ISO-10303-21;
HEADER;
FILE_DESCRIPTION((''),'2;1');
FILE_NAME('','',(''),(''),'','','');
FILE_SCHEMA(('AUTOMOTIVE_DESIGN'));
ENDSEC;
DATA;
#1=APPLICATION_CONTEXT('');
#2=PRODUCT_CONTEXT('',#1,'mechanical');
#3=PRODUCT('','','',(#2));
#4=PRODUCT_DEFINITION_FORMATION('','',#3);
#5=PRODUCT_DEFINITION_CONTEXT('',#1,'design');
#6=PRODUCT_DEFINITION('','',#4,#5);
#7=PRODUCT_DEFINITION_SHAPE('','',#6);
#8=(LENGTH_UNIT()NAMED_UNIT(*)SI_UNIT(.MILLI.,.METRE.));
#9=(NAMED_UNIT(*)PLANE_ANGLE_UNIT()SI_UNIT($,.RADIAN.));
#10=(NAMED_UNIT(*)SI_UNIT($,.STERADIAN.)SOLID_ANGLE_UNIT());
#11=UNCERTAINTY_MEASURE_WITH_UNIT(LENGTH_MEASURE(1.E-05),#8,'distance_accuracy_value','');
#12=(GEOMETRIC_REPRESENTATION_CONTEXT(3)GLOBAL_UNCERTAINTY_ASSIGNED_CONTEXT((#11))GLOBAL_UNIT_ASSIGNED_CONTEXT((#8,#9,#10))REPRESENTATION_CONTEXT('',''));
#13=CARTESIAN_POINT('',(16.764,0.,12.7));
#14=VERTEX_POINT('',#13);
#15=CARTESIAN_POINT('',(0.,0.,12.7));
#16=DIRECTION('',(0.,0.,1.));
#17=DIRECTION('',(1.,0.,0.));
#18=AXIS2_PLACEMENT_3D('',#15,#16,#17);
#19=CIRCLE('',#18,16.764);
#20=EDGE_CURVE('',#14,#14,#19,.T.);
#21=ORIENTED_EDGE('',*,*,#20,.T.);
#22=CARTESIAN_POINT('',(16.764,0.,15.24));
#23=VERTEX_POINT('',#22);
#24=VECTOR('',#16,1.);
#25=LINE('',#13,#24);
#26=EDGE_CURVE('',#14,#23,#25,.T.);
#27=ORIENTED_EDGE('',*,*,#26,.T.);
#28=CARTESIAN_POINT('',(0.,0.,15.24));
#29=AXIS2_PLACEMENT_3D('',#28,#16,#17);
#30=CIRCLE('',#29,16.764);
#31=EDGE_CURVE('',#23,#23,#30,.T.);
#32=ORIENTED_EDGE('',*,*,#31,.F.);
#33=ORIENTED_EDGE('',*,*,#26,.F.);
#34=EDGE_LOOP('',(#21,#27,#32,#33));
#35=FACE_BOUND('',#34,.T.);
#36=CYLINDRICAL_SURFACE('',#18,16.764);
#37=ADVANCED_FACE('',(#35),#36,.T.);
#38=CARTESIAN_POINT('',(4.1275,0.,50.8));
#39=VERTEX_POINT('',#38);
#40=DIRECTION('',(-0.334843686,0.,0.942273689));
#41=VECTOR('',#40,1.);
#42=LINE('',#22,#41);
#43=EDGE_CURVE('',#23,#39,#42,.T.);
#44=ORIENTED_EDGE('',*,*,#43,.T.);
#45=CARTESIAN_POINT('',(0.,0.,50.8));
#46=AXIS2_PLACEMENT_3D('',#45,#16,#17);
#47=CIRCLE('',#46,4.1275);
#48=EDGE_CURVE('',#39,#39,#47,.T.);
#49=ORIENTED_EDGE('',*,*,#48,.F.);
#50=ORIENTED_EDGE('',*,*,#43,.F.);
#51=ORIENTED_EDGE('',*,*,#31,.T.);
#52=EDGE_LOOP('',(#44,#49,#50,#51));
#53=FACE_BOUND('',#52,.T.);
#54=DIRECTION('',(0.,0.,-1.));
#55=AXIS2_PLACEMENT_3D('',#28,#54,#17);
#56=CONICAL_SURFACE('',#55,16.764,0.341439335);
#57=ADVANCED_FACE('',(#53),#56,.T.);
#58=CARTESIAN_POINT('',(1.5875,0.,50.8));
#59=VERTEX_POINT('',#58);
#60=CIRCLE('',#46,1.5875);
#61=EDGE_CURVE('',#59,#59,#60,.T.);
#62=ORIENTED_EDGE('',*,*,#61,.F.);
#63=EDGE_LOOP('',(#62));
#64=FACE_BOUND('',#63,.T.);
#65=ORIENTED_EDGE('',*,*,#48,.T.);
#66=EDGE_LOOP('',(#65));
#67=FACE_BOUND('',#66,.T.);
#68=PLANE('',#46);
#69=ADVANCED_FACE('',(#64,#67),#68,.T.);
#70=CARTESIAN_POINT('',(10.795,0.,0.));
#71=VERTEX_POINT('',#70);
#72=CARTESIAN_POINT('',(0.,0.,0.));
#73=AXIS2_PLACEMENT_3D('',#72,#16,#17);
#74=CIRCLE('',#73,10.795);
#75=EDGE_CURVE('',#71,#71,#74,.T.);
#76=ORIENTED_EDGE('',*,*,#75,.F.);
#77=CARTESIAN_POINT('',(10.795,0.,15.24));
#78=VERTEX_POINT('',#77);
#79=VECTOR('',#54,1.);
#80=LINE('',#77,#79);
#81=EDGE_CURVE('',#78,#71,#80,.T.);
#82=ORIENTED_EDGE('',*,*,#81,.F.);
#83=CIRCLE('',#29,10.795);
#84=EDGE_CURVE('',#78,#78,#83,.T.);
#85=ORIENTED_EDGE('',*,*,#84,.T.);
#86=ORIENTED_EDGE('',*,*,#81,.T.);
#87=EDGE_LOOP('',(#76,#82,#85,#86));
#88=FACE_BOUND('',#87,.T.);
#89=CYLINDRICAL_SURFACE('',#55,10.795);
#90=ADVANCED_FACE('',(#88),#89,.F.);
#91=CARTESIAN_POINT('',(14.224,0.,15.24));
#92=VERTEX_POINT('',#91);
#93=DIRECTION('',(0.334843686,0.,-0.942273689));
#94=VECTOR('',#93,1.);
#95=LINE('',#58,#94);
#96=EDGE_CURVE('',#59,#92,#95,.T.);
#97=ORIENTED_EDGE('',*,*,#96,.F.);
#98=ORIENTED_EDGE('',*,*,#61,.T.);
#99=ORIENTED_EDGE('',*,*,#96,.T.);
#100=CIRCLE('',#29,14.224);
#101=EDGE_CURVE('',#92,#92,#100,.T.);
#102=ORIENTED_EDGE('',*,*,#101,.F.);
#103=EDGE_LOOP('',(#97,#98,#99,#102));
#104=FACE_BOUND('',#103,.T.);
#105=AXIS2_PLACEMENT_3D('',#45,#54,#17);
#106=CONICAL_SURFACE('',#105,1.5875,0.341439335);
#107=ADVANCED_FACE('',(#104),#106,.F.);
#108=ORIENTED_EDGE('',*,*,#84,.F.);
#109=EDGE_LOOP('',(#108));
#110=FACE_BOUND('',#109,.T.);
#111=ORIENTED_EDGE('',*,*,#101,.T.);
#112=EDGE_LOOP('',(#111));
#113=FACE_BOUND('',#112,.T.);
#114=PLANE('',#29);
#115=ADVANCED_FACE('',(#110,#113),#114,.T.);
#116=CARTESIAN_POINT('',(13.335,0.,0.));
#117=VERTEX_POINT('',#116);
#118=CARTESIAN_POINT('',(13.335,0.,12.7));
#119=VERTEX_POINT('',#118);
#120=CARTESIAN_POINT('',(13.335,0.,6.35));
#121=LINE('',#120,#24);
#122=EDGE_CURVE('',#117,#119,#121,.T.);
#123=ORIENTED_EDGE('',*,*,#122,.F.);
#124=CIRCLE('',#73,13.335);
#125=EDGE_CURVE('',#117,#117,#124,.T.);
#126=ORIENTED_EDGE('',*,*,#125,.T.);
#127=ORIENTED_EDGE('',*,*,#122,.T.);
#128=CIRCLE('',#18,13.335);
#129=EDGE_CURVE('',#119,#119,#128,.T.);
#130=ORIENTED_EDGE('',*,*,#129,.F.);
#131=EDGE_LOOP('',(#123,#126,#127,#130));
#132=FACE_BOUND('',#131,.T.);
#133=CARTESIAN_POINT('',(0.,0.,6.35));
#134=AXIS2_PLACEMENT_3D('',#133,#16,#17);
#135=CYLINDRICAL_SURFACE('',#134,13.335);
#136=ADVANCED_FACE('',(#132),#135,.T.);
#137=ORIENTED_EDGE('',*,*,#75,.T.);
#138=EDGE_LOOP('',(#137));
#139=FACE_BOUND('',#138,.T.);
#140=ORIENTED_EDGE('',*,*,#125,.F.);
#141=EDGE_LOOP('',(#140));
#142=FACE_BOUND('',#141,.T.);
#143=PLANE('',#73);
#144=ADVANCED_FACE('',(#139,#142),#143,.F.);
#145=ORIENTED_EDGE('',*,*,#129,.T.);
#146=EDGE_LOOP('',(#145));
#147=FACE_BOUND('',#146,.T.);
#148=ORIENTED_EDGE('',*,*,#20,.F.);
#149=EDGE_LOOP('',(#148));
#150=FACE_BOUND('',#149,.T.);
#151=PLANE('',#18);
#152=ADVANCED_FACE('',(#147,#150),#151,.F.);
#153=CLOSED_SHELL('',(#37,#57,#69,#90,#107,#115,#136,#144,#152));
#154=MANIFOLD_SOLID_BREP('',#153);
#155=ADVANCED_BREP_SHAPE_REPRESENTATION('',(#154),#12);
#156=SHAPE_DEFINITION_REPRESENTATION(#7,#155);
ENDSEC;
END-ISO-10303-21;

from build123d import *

# Parameters (mm, degrees)
F0_W = 2.54
F0_H = 12.7


with BuildPart() as f1:
    # F0 (on Front) → F1 (revolve)
    with BuildSketch(Plane.XZ):
        Polygon((1.5875, 50.8), (14.224, 15.24), (16.764, 15.24), (4.1275, 50.8), align=None)
        Polygon((10.795, 15.24), (10.795, 12.7), (13.335, 12.7), (16.764, 12.7), (16.764, 15.24), (14.224, 15.24), align=None)
        with Locations((12.065, 6.35)):
            Rectangle(F0_W, F0_H)
    revolve(axis=Axis((0, 0, 12.892376), (0, 0, 1)))


solid = f1.part
